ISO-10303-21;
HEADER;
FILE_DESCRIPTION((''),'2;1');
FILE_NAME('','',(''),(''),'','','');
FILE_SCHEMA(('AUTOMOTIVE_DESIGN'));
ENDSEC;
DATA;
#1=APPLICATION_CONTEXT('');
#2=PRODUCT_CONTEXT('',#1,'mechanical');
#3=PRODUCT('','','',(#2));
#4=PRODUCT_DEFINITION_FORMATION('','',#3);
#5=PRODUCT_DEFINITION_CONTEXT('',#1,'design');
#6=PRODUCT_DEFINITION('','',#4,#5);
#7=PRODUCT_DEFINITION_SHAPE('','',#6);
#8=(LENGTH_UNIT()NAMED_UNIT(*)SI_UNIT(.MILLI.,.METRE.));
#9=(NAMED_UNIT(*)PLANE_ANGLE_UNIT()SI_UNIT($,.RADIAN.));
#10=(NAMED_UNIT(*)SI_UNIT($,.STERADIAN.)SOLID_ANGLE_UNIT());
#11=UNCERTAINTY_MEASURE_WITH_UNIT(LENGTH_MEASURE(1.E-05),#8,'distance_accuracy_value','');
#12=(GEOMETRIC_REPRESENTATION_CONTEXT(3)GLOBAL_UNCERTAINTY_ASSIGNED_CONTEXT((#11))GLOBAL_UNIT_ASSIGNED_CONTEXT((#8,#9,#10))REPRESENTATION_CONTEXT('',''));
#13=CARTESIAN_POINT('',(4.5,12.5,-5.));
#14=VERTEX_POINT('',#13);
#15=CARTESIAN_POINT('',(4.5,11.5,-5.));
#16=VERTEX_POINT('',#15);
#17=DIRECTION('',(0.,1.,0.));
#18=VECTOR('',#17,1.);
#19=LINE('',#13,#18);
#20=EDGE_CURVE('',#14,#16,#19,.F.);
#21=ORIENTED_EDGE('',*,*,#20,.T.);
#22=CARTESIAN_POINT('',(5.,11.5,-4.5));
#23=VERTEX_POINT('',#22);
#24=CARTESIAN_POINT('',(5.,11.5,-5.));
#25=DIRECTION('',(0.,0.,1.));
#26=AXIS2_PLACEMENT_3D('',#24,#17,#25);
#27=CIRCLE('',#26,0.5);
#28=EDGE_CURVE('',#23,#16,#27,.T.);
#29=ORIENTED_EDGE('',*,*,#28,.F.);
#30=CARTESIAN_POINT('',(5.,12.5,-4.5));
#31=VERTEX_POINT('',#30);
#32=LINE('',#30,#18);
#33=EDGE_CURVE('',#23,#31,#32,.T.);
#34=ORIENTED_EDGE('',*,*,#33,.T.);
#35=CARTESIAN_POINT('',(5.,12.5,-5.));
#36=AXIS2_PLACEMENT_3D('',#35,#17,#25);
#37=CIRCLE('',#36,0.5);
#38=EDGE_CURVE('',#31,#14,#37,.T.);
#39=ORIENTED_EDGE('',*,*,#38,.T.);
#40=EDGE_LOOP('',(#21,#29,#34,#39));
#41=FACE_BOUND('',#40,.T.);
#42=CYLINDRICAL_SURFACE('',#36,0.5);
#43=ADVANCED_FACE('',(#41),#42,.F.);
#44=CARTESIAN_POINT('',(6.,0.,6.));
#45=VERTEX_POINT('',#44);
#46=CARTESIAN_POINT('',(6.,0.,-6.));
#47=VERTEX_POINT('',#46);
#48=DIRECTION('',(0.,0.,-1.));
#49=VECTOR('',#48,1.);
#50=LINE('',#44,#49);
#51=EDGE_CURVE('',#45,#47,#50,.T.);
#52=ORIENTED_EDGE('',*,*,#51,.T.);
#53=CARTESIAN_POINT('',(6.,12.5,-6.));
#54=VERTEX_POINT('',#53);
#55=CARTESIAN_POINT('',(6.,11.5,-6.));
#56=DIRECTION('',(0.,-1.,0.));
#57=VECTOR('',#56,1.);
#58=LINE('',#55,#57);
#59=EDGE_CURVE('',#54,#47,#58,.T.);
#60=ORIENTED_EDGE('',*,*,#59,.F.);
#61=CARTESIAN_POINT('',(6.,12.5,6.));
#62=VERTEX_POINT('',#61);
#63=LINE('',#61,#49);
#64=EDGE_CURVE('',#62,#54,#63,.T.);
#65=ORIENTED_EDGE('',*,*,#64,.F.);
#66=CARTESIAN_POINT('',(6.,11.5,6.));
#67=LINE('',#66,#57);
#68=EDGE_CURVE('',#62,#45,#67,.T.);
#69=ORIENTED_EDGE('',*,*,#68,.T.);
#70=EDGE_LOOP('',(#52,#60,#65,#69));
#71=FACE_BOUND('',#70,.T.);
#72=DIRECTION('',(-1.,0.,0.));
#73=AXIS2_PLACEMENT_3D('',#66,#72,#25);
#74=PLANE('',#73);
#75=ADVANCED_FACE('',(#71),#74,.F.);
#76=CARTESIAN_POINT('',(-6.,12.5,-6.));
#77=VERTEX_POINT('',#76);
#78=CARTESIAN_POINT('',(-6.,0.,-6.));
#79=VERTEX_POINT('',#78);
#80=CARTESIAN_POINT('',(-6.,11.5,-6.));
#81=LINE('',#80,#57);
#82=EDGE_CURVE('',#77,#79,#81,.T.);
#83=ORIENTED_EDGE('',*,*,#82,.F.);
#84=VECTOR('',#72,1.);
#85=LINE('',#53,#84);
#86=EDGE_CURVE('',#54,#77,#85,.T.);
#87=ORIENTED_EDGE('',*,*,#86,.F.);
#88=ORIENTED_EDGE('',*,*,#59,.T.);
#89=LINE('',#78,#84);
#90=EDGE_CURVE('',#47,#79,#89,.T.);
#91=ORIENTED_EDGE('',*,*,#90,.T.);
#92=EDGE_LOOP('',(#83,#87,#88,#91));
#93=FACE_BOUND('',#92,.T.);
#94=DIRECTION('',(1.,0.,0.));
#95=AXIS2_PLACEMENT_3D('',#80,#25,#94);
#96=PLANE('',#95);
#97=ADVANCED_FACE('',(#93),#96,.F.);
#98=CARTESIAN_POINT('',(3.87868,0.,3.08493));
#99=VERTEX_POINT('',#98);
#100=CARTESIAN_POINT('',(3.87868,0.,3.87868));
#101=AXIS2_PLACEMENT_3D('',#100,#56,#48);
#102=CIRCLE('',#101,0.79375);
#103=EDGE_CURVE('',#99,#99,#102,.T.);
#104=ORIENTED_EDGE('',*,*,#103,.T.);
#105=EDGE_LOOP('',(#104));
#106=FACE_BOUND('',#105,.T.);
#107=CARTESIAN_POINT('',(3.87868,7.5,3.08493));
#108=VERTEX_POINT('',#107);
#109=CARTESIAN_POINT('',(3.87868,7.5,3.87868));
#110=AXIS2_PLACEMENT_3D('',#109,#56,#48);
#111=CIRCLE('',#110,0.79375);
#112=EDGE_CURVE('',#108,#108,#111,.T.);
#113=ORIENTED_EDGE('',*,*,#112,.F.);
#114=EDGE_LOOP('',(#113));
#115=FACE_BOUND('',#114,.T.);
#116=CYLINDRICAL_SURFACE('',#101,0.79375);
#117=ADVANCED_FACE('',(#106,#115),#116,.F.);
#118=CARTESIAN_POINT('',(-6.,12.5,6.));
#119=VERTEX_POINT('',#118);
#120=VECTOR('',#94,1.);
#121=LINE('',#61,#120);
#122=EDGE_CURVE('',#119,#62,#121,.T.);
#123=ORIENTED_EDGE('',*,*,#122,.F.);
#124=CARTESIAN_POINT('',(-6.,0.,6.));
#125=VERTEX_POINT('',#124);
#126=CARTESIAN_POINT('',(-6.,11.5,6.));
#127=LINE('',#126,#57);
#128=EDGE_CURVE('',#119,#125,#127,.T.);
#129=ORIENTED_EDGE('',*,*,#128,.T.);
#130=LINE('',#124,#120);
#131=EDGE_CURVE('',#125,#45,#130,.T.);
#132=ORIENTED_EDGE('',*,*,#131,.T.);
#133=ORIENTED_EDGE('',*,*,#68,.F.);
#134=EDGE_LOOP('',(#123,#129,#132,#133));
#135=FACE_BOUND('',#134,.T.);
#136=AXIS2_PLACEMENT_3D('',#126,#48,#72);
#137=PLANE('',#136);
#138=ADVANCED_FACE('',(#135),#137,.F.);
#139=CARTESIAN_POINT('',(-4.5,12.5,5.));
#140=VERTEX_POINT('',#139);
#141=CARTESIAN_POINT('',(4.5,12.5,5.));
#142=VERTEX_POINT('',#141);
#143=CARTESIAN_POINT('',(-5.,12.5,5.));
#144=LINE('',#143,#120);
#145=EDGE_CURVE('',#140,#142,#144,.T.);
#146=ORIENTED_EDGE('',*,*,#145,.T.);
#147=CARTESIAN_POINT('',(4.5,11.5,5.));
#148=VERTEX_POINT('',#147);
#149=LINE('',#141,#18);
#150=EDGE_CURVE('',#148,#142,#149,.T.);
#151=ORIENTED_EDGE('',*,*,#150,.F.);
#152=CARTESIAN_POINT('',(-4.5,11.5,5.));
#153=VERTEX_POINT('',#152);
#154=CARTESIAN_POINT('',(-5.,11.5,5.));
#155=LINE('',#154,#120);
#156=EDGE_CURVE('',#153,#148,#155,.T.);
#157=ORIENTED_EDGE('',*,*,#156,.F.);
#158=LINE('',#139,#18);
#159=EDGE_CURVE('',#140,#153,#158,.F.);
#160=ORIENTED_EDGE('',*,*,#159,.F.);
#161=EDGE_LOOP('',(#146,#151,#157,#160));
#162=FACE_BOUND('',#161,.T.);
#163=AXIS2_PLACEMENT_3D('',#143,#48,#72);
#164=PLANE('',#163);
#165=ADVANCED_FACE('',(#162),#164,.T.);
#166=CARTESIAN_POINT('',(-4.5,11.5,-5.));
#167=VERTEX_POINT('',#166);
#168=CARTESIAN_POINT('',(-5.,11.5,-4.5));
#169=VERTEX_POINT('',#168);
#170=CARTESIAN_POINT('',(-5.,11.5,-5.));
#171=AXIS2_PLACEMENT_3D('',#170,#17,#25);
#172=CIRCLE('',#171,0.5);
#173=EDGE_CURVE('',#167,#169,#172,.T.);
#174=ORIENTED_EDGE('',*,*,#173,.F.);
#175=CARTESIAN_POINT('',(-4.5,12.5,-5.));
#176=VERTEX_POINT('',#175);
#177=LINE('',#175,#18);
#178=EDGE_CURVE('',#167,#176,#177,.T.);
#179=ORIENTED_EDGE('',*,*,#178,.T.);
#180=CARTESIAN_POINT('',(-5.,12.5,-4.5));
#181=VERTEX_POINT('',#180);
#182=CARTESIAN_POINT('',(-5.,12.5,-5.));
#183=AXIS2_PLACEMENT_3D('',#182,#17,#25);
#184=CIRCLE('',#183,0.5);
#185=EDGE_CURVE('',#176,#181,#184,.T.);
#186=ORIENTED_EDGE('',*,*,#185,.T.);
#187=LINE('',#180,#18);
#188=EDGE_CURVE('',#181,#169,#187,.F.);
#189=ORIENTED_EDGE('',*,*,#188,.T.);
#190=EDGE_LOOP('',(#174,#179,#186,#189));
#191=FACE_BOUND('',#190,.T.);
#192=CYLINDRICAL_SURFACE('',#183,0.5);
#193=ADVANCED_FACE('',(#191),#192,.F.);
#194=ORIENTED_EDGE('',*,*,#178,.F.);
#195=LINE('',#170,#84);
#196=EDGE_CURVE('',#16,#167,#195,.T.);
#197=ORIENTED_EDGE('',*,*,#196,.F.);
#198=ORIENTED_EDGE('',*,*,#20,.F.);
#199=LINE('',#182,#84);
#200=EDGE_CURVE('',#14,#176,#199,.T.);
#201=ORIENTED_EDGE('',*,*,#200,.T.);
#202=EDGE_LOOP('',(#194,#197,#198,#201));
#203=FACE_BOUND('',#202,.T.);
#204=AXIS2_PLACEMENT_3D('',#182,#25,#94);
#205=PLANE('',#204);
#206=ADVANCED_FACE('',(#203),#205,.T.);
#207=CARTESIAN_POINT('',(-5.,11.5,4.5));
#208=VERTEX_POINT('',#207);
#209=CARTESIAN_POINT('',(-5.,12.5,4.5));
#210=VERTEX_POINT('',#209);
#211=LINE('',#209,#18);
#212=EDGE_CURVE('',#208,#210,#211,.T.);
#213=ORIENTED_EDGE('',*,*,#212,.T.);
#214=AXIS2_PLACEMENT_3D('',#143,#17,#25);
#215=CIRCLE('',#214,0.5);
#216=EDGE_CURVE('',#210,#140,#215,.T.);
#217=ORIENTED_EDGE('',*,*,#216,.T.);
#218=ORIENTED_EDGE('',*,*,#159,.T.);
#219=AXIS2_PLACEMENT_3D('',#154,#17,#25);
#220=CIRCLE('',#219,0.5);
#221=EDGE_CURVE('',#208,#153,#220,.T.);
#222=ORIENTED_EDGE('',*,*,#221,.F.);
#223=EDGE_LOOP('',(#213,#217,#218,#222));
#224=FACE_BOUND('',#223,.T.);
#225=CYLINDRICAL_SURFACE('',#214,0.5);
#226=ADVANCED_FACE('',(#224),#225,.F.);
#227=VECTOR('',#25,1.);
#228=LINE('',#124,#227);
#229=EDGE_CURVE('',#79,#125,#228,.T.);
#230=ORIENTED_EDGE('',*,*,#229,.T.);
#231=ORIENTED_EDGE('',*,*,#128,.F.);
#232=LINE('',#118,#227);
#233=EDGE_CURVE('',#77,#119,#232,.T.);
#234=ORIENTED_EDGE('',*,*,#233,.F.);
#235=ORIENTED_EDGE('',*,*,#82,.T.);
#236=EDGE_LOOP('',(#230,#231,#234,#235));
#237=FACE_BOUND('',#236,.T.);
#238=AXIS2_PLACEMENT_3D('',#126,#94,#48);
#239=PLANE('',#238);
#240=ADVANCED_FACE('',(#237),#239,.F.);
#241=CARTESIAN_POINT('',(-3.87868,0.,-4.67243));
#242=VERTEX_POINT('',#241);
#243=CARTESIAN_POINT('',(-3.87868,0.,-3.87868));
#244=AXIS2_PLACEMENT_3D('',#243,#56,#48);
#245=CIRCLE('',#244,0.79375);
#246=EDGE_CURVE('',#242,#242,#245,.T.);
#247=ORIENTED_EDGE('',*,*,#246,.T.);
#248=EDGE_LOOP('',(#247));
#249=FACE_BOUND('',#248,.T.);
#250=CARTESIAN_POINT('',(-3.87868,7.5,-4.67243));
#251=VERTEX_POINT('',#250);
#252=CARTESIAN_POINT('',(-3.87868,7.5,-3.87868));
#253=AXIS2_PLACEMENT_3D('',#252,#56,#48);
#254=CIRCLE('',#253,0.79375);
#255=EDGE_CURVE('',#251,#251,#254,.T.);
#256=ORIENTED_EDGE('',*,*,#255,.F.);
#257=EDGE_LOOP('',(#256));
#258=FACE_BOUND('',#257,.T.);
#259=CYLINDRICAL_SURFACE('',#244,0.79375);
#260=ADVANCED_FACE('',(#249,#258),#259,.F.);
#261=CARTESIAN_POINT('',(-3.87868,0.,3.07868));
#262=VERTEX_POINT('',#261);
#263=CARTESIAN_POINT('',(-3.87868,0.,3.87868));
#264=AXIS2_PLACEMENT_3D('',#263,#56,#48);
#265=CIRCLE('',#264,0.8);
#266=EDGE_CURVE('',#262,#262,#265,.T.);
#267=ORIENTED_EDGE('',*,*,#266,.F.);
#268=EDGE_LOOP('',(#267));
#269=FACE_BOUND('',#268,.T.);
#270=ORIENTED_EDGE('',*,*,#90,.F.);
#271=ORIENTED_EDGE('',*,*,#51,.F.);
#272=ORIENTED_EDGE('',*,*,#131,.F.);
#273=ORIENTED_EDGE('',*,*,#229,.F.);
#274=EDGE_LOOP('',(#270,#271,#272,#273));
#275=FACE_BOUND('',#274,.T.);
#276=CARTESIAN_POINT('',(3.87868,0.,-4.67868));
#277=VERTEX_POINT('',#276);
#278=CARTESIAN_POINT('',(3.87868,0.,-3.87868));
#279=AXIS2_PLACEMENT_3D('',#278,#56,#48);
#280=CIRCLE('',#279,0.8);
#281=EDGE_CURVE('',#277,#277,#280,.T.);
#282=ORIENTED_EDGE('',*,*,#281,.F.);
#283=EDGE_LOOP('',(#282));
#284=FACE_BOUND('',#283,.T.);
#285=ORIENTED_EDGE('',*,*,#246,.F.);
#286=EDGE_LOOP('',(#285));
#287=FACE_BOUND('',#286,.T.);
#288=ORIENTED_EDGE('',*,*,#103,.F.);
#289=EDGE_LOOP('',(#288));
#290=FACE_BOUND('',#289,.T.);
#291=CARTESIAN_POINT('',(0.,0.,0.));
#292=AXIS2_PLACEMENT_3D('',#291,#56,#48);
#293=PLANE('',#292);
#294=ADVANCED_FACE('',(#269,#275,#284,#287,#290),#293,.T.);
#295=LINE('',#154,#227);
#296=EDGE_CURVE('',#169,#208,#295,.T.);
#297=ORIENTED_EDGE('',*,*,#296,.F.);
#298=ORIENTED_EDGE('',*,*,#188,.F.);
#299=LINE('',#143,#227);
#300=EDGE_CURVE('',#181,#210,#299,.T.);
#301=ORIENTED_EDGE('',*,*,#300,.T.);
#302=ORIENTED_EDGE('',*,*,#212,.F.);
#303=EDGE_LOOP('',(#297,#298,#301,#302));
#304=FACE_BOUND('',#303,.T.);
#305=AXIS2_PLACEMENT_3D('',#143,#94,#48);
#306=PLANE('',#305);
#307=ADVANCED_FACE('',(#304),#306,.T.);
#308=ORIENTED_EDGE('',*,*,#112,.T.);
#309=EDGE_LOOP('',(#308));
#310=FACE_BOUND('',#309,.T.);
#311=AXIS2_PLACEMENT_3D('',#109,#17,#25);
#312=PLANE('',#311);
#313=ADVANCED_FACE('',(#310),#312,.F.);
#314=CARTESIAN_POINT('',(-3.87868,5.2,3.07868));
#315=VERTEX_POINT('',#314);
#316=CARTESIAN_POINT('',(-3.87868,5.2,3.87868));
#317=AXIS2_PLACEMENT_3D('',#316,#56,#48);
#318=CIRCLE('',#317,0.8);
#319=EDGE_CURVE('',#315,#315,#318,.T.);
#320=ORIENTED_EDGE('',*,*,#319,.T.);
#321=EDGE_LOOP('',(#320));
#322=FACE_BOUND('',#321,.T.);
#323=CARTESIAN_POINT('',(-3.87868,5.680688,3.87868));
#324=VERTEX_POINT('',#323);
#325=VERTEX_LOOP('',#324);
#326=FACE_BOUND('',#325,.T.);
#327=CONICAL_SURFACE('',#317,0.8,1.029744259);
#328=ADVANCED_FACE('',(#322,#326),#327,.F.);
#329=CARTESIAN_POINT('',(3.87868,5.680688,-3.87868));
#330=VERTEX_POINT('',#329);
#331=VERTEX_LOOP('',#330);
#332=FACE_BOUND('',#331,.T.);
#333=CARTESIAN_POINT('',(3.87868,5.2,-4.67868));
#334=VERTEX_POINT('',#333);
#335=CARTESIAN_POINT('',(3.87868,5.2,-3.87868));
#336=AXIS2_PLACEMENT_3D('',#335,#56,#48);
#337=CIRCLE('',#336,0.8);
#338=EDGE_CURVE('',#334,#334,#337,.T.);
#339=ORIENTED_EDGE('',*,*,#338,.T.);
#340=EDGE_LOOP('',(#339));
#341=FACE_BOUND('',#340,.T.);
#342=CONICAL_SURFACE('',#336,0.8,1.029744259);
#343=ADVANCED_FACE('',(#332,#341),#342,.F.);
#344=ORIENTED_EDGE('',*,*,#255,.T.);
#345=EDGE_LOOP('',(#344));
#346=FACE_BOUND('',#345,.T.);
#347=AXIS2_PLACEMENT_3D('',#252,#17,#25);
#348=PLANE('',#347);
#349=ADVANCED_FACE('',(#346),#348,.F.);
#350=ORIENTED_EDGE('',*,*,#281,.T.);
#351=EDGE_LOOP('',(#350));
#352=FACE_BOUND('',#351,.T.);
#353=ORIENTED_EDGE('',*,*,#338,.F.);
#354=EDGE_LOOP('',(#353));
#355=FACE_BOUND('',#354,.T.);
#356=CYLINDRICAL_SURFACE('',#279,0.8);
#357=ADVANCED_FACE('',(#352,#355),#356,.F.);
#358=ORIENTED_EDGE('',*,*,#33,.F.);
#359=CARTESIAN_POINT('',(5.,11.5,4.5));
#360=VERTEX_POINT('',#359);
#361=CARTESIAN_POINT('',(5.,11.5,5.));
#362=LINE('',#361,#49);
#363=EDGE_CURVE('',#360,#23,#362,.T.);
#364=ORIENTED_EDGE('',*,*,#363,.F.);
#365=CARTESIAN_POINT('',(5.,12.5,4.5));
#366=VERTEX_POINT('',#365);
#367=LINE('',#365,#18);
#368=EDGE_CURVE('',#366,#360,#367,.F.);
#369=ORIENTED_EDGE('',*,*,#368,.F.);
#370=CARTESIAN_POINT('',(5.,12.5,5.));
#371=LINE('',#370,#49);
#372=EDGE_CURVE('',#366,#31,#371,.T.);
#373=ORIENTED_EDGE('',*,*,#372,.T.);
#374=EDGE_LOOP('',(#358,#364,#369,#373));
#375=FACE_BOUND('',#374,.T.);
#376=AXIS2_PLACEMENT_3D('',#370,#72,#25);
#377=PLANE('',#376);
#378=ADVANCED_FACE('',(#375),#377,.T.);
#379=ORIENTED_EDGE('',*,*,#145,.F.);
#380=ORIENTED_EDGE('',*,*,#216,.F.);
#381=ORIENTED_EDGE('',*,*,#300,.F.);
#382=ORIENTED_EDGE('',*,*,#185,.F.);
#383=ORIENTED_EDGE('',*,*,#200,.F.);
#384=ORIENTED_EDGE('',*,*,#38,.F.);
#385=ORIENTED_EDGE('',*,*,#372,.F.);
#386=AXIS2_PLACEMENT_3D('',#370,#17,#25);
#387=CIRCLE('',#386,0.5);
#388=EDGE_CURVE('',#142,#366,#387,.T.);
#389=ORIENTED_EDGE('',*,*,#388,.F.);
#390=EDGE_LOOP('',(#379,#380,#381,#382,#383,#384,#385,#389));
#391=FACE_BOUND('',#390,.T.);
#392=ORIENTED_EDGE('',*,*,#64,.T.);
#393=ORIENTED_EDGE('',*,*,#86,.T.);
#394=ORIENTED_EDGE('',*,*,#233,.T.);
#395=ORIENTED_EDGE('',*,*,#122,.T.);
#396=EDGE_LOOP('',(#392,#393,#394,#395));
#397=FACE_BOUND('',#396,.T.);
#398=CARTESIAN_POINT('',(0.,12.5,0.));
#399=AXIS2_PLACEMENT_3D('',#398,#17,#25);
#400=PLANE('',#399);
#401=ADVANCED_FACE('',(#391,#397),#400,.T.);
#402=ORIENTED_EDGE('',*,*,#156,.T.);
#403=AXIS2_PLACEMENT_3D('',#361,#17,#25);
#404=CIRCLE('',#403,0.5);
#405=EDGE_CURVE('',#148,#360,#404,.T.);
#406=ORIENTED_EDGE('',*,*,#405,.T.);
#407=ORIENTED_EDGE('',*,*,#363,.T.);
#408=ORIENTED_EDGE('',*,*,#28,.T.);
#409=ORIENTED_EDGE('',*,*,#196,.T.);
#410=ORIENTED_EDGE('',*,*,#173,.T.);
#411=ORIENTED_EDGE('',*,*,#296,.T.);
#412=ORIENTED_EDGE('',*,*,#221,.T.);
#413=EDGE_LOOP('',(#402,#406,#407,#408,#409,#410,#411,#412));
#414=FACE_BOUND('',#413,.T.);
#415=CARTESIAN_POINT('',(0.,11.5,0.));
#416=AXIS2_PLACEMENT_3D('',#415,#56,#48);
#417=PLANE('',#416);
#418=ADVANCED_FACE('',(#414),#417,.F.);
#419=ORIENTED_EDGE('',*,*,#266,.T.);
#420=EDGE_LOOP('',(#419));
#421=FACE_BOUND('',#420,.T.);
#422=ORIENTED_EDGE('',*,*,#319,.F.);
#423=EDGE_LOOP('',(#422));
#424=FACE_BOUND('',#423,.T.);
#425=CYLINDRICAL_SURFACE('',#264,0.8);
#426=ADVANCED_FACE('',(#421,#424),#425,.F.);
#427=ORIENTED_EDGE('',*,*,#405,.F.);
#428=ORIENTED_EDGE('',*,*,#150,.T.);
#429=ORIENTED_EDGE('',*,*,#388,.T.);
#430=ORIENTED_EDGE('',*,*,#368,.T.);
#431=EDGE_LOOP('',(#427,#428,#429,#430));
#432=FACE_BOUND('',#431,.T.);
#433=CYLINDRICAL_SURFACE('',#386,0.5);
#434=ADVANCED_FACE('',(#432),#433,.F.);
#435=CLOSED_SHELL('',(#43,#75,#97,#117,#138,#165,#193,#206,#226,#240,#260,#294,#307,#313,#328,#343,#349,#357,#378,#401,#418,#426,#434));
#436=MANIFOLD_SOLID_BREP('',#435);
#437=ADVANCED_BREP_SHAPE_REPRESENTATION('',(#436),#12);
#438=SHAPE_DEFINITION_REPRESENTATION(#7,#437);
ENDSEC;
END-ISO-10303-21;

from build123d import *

# Parameters (mm, degrees)
SKETCH1_W                          = 12
SKETCH1_H                          = 12
BOSS_EXTRUDE1_DEPTH                = 11.5
SKETCH2_W                          = 12
SKETCH2_H                          = 12
SKETCH2_W_2                        = 10
SKETCH2_H_2                        = 10
BOSS_EXTRUDE2_DEPTH                = 1
F_1_0MM_DOWEL_HOLE1_D              = 1
F_1_0MM_DOWEL_HOLE1_DEPTH          = 1
F_1_16_0_0625_DIAMETER_HOLE1_D     = 1.5875
F_1_16_0_0625_DIAMETER_HOLE1_DEPTH = 7.5
M2X0_4_TAPPED_HOLE1_D              = 1.6
M2X0_4_TAPPED_HOLE1_DEPTH          = 5.2
M2X0_4_TAPPED_HOLE1_TIP            = 0.480688495


with BuildPart() as part:
    # Sketch1 → Boss-Extrude1 (new body)
    with BuildSketch(Plane(origin=(0, 0, 0), x_dir=(1, 0, 0), z_dir=(0, 1, 0))):
        Rectangle(SKETCH1_W, SKETCH1_H)
    extrude(amount=BOSS_EXTRUDE1_DEPTH)

    # Sketch2 → Boss-Extrude2 (add)
    with BuildSketch(Plane(origin=(0, 11.5, 0), x_dir=(1, 0, 0), z_dir=(0, 1, 0))):
        Rectangle(SKETCH2_W, SKETCH2_H)
        Rectangle(SKETCH2_W_2, SKETCH2_H_2, mode=Mode.SUBTRACT)
    extrude(amount=BOSS_EXTRUDE2_DEPTH)

    # Ø1.0mm Dowel Hole1
    with Locations(Plane(origin=(0, 12.5, 0), x_dir=(1, 0, 0), z_dir=(0, 1, 0))):
        with Locations((-5, 5), (5, 5), (5, -5), (-5, -5)):
            Hole(F_1_0MM_DOWEL_HOLE1_D / 2, depth=F_1_0MM_DOWEL_HOLE1_DEPTH)

    # 1/16 (0.0625) Diameter Hole1
    with Locations(Plane(origin=(0, 0, 0), x_dir=(-1, 0, 0), z_dir=(0, -1, 0))):
        with Locations((3.878679656, 3.878679656), (-3.878679656, -3.878679656)):
            Hole(F_1_16_0_0625_DIAMETER_HOLE1_D / 2, depth=F_1_16_0_0625_DIAMETER_HOLE1_DEPTH)

    # M2x0.4 Tapped Hole1
    with Locations(Plane(origin=(0, 0, 0), x_dir=(-1, 0, 0), z_dir=(0, -1, 0))):
        with Locations((3.878679656, -3.878679656), (-3.878679656, 3.878679656)):
            Hole(M2X0_4_TAPPED_HOLE1_D / 2, depth=M2X0_4_TAPPED_HOLE1_DEPTH)
            with Locations((0, 0, -(M2X0_4_TAPPED_HOLE1_DEPTH + M2X0_4_TAPPED_HOLE1_TIP / 2))):  # 118° drill point
                Cone(0, M2X0_4_TAPPED_HOLE1_D / 2, M2X0_4_TAPPED_HOLE1_TIP, mode=Mode.SUBTRACT)


solid = part.part
